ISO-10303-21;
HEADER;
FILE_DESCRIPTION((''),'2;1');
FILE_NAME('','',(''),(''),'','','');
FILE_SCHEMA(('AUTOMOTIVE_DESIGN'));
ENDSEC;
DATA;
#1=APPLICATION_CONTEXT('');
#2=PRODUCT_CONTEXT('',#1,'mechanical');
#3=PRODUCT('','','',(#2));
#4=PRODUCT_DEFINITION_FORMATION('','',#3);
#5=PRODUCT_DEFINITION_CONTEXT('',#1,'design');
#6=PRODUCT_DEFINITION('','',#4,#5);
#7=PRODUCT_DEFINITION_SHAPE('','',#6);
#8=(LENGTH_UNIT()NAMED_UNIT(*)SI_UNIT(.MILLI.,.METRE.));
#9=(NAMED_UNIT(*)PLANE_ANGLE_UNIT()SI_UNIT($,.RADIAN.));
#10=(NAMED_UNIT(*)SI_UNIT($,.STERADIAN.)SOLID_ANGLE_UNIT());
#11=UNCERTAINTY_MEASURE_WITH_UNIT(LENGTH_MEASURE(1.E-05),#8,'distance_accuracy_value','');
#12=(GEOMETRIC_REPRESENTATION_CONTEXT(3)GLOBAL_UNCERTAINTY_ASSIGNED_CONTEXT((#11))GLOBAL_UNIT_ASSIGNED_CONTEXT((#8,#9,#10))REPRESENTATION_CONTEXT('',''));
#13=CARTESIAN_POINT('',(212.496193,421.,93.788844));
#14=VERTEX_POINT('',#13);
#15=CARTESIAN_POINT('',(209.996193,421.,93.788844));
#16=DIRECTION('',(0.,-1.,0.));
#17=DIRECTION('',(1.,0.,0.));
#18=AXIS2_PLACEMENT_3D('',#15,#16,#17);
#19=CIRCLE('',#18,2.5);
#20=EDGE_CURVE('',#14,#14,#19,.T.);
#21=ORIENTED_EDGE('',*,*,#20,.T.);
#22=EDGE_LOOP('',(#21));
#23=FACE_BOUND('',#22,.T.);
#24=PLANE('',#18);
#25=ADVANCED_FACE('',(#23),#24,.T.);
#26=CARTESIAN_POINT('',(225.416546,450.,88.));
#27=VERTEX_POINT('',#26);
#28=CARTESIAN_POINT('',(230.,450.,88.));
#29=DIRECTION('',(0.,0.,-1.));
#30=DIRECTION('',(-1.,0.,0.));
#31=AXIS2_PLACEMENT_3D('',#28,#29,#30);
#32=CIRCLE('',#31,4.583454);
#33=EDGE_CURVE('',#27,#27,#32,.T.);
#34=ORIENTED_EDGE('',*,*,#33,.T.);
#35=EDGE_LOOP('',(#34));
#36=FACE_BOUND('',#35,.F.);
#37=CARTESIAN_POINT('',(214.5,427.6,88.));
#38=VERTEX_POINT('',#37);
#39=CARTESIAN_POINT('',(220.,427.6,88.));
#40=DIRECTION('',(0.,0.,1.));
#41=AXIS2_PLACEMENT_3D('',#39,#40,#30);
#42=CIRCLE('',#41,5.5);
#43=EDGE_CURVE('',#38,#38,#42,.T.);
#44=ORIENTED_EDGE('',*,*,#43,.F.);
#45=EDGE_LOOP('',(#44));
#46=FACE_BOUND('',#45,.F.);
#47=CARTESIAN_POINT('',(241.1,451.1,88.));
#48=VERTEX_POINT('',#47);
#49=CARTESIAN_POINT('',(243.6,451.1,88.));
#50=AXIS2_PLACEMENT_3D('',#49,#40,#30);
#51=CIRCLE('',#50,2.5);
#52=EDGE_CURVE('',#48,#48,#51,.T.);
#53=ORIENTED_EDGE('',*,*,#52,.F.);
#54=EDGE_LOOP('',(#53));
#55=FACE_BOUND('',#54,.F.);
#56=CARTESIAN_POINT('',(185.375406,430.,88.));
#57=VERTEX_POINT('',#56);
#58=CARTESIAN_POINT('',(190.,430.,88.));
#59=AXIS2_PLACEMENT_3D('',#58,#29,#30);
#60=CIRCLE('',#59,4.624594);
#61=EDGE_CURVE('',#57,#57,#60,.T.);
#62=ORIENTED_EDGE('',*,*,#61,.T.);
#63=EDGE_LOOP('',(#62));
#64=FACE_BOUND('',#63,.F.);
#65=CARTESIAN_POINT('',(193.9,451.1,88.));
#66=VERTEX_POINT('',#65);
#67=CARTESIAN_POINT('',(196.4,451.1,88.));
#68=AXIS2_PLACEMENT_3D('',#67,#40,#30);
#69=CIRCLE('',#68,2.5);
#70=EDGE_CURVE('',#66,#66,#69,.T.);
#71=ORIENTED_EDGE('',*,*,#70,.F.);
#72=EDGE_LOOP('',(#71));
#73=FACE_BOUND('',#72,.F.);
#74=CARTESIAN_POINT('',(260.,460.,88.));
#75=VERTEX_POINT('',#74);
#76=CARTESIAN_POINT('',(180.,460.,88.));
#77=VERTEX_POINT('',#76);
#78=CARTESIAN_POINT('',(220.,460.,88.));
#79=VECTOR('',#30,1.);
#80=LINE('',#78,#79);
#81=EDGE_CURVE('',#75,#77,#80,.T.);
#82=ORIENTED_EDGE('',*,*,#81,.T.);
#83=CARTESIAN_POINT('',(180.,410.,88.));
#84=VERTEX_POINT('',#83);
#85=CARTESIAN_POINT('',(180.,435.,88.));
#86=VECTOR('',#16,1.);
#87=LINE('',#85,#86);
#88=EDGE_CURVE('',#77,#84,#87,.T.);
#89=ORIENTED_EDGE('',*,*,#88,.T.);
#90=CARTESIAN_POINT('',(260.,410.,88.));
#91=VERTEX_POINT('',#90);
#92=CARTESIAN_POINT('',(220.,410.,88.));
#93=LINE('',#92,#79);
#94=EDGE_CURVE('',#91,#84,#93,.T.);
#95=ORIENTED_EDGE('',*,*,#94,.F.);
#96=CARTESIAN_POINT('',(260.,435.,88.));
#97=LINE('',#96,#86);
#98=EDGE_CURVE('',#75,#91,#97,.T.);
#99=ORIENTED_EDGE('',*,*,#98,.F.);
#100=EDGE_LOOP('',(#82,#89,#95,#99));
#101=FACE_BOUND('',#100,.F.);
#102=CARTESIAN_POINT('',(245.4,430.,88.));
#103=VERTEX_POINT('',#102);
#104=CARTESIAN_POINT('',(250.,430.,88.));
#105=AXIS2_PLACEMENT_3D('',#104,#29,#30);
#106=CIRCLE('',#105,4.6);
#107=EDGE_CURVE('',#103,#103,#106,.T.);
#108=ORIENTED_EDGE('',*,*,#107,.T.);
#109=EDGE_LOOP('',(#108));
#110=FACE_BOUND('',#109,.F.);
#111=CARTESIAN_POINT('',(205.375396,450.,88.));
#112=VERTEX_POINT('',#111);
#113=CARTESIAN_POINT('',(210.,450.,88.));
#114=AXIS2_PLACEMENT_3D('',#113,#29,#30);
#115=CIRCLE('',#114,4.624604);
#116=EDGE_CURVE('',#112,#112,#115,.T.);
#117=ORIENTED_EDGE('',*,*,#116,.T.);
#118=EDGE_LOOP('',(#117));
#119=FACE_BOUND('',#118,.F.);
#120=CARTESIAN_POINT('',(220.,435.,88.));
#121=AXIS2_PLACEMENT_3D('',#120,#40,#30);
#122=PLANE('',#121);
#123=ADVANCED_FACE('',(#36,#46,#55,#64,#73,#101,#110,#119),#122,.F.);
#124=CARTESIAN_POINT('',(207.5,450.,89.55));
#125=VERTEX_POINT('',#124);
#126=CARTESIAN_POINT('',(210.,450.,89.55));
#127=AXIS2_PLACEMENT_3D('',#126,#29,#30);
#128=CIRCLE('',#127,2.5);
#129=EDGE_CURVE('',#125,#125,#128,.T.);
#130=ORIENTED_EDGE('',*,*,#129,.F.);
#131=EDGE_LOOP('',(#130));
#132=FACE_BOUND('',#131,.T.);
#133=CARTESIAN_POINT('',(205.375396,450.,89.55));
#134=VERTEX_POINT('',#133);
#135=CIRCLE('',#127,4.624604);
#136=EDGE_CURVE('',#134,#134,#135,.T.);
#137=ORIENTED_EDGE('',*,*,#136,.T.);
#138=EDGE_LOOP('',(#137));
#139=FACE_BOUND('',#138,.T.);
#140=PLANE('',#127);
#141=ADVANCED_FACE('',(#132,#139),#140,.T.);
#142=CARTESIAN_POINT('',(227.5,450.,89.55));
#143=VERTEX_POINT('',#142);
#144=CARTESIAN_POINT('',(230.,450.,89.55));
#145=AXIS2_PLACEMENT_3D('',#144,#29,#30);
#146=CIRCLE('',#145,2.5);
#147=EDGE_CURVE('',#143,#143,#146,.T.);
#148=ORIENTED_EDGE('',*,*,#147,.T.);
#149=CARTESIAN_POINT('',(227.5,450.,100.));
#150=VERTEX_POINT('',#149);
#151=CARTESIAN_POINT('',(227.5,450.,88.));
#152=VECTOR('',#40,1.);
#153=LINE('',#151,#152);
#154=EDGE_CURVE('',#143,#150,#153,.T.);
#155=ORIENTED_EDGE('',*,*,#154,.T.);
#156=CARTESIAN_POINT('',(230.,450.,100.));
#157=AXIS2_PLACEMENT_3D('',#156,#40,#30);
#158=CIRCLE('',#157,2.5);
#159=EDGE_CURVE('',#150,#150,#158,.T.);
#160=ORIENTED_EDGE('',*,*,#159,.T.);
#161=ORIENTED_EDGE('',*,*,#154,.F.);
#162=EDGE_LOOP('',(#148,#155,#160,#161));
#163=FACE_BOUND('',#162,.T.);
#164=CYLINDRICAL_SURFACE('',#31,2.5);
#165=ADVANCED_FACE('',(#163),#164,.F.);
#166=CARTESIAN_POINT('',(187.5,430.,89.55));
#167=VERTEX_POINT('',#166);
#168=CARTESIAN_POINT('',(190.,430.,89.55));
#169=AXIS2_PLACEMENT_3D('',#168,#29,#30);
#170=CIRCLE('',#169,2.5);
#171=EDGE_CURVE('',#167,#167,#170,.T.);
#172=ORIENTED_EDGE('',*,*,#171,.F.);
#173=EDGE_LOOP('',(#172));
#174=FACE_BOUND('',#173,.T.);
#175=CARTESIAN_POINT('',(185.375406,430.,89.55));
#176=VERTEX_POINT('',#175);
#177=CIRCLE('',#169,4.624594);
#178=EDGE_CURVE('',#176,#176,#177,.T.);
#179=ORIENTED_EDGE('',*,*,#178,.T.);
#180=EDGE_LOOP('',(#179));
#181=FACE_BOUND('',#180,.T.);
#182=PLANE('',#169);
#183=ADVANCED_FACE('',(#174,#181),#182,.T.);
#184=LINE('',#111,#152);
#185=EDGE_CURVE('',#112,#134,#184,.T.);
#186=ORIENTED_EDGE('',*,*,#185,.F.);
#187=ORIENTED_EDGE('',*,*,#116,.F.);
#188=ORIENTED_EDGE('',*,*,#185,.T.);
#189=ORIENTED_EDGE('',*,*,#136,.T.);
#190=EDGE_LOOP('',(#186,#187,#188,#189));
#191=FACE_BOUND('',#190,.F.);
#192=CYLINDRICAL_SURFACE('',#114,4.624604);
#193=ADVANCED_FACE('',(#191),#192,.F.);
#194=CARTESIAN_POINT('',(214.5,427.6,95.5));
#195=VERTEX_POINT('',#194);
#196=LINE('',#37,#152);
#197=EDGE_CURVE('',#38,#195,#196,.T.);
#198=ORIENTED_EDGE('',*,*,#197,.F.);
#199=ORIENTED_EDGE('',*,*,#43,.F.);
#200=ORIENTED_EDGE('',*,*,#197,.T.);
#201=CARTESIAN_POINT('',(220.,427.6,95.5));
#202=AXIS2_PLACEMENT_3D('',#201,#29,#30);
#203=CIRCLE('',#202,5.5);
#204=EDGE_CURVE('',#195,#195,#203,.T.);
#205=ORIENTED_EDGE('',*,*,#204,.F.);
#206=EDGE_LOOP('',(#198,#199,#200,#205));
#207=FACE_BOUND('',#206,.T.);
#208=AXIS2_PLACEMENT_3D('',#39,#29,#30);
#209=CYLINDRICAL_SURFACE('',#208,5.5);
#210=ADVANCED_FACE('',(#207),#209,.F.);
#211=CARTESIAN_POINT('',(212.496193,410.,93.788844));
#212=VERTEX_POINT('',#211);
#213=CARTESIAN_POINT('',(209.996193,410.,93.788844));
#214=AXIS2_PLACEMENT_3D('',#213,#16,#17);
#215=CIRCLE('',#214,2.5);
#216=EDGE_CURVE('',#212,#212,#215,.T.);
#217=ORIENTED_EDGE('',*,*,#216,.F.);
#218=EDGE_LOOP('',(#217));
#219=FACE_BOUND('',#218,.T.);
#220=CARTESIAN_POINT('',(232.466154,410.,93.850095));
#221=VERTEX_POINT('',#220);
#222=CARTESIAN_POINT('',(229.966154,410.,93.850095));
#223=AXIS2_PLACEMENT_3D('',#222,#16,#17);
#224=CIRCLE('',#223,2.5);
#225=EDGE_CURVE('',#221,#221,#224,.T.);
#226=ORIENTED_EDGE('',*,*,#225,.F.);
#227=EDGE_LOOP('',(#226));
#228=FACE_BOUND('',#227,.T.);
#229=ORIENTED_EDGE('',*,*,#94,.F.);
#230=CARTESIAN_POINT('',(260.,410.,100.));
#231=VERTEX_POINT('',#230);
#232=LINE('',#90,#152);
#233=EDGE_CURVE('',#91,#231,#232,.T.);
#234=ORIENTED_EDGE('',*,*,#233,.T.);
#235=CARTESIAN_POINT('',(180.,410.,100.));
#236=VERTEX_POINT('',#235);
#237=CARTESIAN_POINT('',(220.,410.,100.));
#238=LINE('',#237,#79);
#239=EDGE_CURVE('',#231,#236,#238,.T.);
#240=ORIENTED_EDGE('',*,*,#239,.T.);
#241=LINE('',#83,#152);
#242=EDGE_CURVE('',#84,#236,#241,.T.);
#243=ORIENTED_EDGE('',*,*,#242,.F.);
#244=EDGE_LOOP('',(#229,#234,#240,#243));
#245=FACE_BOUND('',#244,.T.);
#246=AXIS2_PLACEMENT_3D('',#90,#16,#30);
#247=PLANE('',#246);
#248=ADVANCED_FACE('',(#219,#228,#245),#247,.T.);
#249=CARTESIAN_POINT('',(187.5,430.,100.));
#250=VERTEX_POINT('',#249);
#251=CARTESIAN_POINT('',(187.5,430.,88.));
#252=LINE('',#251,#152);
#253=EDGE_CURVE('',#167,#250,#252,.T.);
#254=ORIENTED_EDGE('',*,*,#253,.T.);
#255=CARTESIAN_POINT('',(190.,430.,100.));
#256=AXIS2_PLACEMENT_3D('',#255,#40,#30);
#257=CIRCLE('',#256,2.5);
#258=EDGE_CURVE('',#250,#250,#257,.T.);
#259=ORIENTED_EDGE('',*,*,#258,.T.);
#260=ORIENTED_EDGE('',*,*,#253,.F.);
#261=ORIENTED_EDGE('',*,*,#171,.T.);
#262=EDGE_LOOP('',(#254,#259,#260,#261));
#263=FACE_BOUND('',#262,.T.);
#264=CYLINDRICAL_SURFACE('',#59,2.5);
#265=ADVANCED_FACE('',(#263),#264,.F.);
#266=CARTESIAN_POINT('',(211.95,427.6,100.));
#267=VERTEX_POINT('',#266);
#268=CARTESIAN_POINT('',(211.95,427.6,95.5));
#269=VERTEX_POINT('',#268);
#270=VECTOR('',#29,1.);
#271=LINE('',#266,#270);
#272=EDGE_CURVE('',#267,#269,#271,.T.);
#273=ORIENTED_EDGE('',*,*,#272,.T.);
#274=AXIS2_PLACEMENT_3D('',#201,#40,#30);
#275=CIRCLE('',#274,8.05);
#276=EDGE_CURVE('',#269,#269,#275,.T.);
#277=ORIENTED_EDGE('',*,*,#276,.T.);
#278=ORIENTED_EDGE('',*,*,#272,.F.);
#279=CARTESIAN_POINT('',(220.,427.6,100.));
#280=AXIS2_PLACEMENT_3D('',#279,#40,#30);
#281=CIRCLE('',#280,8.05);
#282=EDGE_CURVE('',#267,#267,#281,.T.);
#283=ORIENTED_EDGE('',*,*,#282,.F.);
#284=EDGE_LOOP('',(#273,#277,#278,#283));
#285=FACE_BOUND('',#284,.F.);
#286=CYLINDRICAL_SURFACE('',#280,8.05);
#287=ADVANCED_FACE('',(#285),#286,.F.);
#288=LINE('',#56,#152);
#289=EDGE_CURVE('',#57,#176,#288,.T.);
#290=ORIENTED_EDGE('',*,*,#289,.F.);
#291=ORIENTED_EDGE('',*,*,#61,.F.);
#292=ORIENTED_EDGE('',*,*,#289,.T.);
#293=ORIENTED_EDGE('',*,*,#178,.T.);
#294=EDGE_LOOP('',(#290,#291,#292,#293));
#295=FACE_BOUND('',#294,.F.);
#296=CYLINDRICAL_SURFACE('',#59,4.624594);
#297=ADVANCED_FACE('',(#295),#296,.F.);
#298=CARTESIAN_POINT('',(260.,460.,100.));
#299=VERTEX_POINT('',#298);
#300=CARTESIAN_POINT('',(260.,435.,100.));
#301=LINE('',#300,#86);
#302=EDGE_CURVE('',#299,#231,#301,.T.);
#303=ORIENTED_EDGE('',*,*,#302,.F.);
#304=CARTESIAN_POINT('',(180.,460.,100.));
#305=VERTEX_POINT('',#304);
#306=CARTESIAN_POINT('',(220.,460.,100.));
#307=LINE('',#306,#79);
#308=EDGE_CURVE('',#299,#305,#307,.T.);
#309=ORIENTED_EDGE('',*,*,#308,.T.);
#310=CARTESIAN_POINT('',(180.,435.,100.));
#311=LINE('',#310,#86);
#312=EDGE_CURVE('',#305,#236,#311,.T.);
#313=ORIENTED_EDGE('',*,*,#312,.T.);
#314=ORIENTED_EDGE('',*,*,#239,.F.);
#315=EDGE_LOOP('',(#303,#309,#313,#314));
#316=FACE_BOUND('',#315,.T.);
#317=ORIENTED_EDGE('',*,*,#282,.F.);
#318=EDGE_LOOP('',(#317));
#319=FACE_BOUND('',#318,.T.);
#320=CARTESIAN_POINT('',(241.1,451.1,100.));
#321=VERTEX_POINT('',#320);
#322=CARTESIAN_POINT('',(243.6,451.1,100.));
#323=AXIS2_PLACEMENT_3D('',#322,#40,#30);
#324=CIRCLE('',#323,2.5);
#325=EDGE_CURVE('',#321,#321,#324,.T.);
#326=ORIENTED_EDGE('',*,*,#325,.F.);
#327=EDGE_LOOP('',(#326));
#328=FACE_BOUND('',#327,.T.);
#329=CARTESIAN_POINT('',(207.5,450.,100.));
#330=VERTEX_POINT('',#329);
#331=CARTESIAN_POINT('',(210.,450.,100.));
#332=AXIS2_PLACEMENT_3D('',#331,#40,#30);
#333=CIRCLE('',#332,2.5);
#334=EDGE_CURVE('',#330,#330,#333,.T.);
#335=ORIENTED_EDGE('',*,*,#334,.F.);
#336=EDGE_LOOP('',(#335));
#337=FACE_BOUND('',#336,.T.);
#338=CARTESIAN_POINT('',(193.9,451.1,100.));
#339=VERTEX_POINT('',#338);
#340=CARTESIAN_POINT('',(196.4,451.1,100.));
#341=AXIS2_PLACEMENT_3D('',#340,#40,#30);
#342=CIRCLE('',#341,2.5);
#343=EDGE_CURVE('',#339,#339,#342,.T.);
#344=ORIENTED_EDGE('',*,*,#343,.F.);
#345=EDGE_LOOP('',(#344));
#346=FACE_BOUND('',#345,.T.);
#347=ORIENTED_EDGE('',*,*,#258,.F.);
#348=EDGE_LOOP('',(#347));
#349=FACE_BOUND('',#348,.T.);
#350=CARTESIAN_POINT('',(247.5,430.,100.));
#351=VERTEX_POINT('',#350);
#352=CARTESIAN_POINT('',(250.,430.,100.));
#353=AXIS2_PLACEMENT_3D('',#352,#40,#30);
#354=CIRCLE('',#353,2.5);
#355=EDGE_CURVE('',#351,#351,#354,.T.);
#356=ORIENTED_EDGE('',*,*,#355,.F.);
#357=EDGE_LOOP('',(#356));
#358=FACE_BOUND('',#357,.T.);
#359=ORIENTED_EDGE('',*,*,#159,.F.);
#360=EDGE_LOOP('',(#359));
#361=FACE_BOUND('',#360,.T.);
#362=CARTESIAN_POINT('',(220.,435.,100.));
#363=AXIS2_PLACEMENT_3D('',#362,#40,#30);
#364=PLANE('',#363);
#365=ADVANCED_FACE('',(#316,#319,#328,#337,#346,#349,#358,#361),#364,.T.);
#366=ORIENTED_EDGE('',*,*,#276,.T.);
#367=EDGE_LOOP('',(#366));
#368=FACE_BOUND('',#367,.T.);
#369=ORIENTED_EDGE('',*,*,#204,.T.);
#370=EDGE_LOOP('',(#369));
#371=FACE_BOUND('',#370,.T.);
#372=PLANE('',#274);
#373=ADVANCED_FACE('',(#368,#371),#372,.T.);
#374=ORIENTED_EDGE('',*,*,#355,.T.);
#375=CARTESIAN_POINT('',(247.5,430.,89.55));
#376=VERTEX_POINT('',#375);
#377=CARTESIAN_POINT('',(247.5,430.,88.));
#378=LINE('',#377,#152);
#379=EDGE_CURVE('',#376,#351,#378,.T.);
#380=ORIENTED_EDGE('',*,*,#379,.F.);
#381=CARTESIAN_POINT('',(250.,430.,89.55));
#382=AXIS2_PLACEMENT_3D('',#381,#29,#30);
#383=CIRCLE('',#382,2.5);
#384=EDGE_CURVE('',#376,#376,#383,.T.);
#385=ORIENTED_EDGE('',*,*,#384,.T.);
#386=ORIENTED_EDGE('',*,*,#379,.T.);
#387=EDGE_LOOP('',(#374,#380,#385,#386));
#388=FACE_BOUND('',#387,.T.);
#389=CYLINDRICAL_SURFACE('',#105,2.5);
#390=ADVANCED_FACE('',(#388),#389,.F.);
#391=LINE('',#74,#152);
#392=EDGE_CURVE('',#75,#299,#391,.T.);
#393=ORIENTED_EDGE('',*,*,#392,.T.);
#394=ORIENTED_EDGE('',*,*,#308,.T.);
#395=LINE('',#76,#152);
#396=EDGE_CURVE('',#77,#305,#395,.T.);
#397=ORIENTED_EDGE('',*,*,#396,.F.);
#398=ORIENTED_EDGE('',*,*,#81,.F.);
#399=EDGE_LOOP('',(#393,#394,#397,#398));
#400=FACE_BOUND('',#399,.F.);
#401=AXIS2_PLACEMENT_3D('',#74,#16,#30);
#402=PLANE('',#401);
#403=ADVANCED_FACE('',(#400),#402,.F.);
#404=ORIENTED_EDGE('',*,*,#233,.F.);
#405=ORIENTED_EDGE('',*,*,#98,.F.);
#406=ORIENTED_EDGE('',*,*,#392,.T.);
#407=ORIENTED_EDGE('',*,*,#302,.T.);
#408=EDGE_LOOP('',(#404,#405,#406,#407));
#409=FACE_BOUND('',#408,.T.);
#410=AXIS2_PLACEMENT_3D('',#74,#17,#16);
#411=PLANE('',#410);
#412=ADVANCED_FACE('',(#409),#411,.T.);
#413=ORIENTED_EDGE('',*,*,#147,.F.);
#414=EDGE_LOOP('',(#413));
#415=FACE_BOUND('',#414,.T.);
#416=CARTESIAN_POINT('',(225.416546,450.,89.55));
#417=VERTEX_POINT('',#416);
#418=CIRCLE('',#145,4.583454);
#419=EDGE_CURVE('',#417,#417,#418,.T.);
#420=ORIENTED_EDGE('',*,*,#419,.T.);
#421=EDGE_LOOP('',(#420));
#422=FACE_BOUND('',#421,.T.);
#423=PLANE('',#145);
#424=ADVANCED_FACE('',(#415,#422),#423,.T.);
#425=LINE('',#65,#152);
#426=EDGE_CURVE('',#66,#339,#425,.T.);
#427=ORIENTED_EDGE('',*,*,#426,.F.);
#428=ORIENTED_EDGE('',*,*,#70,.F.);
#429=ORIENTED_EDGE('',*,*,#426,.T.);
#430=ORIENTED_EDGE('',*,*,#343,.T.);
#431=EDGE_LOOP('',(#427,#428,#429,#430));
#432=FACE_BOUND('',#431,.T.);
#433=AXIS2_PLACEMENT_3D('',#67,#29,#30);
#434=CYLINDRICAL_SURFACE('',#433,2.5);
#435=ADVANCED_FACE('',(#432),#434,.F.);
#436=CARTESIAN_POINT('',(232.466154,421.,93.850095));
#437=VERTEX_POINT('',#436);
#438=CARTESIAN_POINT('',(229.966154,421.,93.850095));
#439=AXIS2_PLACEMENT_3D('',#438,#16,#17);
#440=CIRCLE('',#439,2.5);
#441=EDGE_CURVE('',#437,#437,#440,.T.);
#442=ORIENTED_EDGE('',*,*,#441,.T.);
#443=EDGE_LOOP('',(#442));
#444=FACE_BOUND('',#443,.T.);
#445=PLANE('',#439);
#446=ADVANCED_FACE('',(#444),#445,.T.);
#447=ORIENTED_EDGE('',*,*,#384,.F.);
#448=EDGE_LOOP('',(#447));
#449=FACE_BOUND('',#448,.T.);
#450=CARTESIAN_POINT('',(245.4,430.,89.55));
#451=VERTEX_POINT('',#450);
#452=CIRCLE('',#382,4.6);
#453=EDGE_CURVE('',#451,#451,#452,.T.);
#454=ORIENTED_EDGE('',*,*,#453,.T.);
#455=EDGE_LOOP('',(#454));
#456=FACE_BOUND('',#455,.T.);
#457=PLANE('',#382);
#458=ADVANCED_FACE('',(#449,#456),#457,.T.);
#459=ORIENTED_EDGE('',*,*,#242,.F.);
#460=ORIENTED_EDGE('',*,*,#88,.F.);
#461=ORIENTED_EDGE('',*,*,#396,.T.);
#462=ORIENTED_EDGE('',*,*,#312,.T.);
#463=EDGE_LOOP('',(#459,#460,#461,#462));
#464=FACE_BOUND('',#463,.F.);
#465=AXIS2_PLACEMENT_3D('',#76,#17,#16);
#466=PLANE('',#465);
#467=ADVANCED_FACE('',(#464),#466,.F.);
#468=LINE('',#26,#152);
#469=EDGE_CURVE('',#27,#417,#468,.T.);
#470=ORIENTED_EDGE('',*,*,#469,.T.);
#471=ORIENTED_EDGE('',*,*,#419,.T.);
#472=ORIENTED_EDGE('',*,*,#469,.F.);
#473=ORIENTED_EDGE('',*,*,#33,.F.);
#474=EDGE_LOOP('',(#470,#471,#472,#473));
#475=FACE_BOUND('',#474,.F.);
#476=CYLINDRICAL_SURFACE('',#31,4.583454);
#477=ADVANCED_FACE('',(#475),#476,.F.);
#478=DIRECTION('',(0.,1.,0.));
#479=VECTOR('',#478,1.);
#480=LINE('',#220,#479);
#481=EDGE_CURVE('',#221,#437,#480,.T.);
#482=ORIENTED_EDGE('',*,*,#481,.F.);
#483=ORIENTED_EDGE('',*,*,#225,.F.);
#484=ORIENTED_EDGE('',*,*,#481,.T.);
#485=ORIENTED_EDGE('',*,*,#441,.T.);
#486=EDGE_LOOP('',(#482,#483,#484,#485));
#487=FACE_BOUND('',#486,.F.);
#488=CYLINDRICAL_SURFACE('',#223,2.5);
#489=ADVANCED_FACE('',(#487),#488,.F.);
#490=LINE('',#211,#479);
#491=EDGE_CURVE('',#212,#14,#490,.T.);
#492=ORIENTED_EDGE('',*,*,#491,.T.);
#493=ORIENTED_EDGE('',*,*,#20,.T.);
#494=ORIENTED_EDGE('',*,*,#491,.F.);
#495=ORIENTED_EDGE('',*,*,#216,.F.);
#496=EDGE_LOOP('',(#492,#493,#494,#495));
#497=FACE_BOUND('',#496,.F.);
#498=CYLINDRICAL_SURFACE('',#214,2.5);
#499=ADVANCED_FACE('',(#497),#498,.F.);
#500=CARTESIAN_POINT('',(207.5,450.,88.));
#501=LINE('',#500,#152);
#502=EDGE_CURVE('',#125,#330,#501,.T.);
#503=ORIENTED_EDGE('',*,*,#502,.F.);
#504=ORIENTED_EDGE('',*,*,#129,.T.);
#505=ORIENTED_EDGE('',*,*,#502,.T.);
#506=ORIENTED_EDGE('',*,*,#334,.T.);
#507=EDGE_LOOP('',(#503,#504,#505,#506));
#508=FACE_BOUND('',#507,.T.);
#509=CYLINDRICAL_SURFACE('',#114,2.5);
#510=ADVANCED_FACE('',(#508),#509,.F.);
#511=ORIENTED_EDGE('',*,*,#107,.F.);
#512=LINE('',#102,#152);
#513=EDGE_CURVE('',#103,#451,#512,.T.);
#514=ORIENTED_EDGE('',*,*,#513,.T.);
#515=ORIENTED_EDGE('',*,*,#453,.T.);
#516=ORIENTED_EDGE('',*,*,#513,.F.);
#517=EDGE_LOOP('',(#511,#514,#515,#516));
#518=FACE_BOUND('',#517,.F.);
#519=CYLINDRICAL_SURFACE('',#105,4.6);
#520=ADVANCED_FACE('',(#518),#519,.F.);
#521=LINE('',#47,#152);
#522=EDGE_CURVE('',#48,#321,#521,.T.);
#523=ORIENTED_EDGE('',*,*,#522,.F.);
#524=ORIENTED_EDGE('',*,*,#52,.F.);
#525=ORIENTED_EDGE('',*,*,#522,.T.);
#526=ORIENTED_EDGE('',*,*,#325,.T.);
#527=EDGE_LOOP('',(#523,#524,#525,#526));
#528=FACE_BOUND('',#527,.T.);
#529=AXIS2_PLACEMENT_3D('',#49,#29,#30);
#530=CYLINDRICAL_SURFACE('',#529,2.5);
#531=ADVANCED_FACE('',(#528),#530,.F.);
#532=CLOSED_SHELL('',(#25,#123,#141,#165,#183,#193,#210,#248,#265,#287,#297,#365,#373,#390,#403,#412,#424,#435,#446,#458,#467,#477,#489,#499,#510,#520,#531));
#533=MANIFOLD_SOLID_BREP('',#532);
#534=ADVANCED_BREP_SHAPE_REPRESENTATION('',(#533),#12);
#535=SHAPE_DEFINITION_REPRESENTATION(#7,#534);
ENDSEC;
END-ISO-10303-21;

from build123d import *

# Parameters (mm, degrees)
SKETCH001_W     = 80
SKETCH001_H     = 50
SKETCH001_R     = 2.5
SKETCH001_R_2   = 5.5
PAD_DEPTH       = 12
SKETCH002_R     = 2.5
POCKET_DEPTH    = 11
SKETCH003_R     = 8.05
POCKET001_DEPTH = 4.5
SKETCH004_R     = 4.6
SKETCH004_R_2   = 4.624594
SKETCH004_R_3   = 4.583454
SKETCH004_R_4   = 4.624604
POCKET002_DEPTH = 1.55


with BuildPart() as part:
    # Sketch001 → Pad (new body)
    with BuildSketch(Plane(origin=(260, 460, 88), x_dir=(-1, 0, 0), z_dir=(0, 0, 1))):
        with Locations((40, 25)):
            Rectangle(SKETCH001_W, SKETCH001_H)
        with Locations((10, 30)):
            Circle(SKETCH001_R, mode=Mode.SUBTRACT)
        with Locations((30, 10)):
            Circle(SKETCH001_R, mode=Mode.SUBTRACT)
        with Locations((16.4, 8.9)):
            Circle(SKETCH001_R, mode=Mode.SUBTRACT)
        with Locations((50, 10)):
            Circle(SKETCH001_R, mode=Mode.SUBTRACT)
        with Locations((63.6, 8.9)):
            Circle(SKETCH001_R, mode=Mode.SUBTRACT)
        with Locations((70, 30)):
            Circle(SKETCH001_R, mode=Mode.SUBTRACT)
        with Locations((40, 32.4)):
            Circle(SKETCH001_R_2, mode=Mode.SUBTRACT)
    extrude(amount=PAD_DEPTH)

    # Sketch002 → Pocket (cut)
    with BuildSketch(Plane(origin=(260, 410, 88), x_dir=(1, 0, 0), z_dir=(0, -1, 0))):
        with Locations((-30.033846, 5.850095)):
            Circle(SKETCH002_R)
        with Locations((-50.003807, 5.788844)):
            Circle(SKETCH002_R)
    extrude(amount=-POCKET_DEPTH, mode=Mode.SUBTRACT)

    # Sketch003 → Pocket001 (cut)
    with BuildSketch(Plane(origin=(260, 460, 100), x_dir=(-1, 0, 0), z_dir=(0, 0, 1))):
        with Locations((40, 32.4)):
            Circle(SKETCH003_R)
    extrude(amount=-POCKET001_DEPTH, mode=Mode.SUBTRACT)

    # Sketch004 → Pocket002 (cut)
    with BuildSketch(Plane(origin=(260, 460, 88), x_dir=(-1, 0, 0), z_dir=(0, 0, -1))):
        with Locations((10, -30)):
            Circle(SKETCH004_R)
        with Locations((70, -30)):
            Circle(SKETCH004_R_2)
        with Locations((30, -10)):
            Circle(SKETCH004_R_3)
        with Locations((50, -10)):
            Circle(SKETCH004_R_4)
    extrude(amount=-POCKET002_DEPTH, mode=Mode.SUBTRACT)


solid = part.part
